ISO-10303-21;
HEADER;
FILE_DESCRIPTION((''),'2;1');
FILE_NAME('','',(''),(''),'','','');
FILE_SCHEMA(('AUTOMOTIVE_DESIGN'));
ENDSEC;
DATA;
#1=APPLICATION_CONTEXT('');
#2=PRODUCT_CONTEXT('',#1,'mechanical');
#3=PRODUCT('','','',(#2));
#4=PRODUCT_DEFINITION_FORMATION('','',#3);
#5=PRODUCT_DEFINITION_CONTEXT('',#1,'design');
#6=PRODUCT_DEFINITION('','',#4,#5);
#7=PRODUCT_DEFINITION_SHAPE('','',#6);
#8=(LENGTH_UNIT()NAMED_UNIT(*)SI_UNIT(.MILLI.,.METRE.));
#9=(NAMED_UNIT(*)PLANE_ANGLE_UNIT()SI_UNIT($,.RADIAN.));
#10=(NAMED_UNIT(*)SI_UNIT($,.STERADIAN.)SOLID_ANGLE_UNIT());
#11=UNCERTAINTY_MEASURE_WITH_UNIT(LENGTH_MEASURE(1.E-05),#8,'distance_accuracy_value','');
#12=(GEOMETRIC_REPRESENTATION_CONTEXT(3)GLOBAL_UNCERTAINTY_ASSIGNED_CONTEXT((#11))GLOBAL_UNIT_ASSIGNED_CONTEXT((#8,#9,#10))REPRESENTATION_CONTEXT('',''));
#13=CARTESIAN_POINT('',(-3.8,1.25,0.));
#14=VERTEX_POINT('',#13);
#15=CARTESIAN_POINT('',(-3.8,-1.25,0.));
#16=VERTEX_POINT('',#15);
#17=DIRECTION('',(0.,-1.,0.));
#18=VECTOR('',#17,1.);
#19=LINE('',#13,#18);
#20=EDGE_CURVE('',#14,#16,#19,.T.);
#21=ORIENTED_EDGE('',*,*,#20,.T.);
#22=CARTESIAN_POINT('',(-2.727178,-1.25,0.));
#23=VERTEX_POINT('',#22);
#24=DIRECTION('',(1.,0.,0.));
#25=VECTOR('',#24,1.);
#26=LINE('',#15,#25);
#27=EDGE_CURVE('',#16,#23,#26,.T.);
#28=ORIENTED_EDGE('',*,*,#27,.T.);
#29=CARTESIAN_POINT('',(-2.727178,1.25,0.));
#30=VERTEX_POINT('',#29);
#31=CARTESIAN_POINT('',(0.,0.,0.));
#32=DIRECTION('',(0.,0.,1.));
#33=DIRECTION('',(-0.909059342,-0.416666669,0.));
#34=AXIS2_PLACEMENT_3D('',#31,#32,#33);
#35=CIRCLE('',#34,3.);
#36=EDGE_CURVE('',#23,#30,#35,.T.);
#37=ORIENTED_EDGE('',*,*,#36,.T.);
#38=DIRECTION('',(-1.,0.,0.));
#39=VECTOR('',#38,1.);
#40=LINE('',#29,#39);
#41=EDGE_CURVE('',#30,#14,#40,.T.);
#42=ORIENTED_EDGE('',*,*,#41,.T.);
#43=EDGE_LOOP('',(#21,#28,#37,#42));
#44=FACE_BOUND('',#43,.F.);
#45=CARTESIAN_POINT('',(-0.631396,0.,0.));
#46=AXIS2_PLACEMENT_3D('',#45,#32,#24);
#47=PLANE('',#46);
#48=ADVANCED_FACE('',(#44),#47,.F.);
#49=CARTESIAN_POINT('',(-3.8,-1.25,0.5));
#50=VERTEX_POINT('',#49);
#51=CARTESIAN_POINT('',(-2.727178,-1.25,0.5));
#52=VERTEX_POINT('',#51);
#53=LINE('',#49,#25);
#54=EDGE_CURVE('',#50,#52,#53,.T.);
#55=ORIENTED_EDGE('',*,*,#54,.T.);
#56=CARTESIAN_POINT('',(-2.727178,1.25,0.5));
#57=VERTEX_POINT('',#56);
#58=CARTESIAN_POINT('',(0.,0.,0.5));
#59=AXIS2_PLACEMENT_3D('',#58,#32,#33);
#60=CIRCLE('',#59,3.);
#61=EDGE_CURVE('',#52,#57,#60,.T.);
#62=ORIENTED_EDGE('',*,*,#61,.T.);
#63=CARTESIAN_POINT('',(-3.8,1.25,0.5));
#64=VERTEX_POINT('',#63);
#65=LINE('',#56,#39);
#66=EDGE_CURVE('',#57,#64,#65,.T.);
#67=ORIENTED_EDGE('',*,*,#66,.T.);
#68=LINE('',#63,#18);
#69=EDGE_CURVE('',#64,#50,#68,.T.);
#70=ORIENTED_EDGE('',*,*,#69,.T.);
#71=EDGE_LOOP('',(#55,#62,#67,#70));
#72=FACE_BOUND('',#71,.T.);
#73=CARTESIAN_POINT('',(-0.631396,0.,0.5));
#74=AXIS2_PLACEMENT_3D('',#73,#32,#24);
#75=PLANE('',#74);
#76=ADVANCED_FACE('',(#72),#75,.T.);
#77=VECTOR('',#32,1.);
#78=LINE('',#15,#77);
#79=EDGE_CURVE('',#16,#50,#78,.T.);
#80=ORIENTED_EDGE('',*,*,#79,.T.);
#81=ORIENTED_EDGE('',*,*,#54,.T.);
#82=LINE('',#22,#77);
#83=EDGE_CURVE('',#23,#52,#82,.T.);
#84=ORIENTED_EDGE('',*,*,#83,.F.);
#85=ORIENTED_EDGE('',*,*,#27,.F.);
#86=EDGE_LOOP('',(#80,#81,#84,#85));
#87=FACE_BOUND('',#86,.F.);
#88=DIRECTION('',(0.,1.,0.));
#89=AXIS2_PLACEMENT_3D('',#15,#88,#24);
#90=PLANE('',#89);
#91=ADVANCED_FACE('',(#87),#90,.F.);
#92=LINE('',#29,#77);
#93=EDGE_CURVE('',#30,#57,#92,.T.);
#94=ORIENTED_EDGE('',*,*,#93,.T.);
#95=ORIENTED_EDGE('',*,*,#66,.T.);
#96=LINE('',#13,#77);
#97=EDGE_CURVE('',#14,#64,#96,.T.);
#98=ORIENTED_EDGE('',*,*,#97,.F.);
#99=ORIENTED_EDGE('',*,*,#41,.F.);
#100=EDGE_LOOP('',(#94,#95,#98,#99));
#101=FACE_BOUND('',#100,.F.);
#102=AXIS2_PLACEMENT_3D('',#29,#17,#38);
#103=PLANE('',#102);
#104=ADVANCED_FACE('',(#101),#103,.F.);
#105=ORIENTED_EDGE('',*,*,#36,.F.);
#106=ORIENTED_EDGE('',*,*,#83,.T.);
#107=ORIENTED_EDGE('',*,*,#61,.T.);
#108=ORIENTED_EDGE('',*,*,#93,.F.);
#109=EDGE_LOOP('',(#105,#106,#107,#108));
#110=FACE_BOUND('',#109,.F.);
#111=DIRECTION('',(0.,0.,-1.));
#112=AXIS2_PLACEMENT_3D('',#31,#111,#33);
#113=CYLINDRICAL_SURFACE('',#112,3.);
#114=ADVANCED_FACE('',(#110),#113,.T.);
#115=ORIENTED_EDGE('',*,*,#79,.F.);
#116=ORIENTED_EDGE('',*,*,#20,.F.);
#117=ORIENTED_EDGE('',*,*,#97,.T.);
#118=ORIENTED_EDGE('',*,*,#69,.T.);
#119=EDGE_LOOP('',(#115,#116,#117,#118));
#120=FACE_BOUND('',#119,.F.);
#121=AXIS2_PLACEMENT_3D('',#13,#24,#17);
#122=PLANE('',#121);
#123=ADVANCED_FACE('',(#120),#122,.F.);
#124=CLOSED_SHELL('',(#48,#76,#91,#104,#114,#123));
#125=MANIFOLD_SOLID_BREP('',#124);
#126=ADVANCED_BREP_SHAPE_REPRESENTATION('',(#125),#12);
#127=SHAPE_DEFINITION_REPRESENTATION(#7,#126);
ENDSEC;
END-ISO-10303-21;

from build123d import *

# Parameters (mm, degrees)
F1_DEPTH = 0.5


with BuildPart() as f1:
    # F0 (on Top) → F1 (new body)
    with BuildSketch(Plane.XY):
        with BuildLine():
            Line((-3, -1.25), (-2.727178, -1.25))
            ThreePointArc((-2.727178, -1.25), (3, 0), (-2.727178, 1.25))
            Line((-2.727178, 1.25), (-3, 1.25))
            Line((-3, 1.25), (-3.8, 1.25))
            Line((-3.8, 1.25), (-3.8, -1.25))
            Line((-3.8, -1.25), (-3, -1.25))
        make_face()
    extrude(amount=F1_DEPTH)


solid = f1.part
